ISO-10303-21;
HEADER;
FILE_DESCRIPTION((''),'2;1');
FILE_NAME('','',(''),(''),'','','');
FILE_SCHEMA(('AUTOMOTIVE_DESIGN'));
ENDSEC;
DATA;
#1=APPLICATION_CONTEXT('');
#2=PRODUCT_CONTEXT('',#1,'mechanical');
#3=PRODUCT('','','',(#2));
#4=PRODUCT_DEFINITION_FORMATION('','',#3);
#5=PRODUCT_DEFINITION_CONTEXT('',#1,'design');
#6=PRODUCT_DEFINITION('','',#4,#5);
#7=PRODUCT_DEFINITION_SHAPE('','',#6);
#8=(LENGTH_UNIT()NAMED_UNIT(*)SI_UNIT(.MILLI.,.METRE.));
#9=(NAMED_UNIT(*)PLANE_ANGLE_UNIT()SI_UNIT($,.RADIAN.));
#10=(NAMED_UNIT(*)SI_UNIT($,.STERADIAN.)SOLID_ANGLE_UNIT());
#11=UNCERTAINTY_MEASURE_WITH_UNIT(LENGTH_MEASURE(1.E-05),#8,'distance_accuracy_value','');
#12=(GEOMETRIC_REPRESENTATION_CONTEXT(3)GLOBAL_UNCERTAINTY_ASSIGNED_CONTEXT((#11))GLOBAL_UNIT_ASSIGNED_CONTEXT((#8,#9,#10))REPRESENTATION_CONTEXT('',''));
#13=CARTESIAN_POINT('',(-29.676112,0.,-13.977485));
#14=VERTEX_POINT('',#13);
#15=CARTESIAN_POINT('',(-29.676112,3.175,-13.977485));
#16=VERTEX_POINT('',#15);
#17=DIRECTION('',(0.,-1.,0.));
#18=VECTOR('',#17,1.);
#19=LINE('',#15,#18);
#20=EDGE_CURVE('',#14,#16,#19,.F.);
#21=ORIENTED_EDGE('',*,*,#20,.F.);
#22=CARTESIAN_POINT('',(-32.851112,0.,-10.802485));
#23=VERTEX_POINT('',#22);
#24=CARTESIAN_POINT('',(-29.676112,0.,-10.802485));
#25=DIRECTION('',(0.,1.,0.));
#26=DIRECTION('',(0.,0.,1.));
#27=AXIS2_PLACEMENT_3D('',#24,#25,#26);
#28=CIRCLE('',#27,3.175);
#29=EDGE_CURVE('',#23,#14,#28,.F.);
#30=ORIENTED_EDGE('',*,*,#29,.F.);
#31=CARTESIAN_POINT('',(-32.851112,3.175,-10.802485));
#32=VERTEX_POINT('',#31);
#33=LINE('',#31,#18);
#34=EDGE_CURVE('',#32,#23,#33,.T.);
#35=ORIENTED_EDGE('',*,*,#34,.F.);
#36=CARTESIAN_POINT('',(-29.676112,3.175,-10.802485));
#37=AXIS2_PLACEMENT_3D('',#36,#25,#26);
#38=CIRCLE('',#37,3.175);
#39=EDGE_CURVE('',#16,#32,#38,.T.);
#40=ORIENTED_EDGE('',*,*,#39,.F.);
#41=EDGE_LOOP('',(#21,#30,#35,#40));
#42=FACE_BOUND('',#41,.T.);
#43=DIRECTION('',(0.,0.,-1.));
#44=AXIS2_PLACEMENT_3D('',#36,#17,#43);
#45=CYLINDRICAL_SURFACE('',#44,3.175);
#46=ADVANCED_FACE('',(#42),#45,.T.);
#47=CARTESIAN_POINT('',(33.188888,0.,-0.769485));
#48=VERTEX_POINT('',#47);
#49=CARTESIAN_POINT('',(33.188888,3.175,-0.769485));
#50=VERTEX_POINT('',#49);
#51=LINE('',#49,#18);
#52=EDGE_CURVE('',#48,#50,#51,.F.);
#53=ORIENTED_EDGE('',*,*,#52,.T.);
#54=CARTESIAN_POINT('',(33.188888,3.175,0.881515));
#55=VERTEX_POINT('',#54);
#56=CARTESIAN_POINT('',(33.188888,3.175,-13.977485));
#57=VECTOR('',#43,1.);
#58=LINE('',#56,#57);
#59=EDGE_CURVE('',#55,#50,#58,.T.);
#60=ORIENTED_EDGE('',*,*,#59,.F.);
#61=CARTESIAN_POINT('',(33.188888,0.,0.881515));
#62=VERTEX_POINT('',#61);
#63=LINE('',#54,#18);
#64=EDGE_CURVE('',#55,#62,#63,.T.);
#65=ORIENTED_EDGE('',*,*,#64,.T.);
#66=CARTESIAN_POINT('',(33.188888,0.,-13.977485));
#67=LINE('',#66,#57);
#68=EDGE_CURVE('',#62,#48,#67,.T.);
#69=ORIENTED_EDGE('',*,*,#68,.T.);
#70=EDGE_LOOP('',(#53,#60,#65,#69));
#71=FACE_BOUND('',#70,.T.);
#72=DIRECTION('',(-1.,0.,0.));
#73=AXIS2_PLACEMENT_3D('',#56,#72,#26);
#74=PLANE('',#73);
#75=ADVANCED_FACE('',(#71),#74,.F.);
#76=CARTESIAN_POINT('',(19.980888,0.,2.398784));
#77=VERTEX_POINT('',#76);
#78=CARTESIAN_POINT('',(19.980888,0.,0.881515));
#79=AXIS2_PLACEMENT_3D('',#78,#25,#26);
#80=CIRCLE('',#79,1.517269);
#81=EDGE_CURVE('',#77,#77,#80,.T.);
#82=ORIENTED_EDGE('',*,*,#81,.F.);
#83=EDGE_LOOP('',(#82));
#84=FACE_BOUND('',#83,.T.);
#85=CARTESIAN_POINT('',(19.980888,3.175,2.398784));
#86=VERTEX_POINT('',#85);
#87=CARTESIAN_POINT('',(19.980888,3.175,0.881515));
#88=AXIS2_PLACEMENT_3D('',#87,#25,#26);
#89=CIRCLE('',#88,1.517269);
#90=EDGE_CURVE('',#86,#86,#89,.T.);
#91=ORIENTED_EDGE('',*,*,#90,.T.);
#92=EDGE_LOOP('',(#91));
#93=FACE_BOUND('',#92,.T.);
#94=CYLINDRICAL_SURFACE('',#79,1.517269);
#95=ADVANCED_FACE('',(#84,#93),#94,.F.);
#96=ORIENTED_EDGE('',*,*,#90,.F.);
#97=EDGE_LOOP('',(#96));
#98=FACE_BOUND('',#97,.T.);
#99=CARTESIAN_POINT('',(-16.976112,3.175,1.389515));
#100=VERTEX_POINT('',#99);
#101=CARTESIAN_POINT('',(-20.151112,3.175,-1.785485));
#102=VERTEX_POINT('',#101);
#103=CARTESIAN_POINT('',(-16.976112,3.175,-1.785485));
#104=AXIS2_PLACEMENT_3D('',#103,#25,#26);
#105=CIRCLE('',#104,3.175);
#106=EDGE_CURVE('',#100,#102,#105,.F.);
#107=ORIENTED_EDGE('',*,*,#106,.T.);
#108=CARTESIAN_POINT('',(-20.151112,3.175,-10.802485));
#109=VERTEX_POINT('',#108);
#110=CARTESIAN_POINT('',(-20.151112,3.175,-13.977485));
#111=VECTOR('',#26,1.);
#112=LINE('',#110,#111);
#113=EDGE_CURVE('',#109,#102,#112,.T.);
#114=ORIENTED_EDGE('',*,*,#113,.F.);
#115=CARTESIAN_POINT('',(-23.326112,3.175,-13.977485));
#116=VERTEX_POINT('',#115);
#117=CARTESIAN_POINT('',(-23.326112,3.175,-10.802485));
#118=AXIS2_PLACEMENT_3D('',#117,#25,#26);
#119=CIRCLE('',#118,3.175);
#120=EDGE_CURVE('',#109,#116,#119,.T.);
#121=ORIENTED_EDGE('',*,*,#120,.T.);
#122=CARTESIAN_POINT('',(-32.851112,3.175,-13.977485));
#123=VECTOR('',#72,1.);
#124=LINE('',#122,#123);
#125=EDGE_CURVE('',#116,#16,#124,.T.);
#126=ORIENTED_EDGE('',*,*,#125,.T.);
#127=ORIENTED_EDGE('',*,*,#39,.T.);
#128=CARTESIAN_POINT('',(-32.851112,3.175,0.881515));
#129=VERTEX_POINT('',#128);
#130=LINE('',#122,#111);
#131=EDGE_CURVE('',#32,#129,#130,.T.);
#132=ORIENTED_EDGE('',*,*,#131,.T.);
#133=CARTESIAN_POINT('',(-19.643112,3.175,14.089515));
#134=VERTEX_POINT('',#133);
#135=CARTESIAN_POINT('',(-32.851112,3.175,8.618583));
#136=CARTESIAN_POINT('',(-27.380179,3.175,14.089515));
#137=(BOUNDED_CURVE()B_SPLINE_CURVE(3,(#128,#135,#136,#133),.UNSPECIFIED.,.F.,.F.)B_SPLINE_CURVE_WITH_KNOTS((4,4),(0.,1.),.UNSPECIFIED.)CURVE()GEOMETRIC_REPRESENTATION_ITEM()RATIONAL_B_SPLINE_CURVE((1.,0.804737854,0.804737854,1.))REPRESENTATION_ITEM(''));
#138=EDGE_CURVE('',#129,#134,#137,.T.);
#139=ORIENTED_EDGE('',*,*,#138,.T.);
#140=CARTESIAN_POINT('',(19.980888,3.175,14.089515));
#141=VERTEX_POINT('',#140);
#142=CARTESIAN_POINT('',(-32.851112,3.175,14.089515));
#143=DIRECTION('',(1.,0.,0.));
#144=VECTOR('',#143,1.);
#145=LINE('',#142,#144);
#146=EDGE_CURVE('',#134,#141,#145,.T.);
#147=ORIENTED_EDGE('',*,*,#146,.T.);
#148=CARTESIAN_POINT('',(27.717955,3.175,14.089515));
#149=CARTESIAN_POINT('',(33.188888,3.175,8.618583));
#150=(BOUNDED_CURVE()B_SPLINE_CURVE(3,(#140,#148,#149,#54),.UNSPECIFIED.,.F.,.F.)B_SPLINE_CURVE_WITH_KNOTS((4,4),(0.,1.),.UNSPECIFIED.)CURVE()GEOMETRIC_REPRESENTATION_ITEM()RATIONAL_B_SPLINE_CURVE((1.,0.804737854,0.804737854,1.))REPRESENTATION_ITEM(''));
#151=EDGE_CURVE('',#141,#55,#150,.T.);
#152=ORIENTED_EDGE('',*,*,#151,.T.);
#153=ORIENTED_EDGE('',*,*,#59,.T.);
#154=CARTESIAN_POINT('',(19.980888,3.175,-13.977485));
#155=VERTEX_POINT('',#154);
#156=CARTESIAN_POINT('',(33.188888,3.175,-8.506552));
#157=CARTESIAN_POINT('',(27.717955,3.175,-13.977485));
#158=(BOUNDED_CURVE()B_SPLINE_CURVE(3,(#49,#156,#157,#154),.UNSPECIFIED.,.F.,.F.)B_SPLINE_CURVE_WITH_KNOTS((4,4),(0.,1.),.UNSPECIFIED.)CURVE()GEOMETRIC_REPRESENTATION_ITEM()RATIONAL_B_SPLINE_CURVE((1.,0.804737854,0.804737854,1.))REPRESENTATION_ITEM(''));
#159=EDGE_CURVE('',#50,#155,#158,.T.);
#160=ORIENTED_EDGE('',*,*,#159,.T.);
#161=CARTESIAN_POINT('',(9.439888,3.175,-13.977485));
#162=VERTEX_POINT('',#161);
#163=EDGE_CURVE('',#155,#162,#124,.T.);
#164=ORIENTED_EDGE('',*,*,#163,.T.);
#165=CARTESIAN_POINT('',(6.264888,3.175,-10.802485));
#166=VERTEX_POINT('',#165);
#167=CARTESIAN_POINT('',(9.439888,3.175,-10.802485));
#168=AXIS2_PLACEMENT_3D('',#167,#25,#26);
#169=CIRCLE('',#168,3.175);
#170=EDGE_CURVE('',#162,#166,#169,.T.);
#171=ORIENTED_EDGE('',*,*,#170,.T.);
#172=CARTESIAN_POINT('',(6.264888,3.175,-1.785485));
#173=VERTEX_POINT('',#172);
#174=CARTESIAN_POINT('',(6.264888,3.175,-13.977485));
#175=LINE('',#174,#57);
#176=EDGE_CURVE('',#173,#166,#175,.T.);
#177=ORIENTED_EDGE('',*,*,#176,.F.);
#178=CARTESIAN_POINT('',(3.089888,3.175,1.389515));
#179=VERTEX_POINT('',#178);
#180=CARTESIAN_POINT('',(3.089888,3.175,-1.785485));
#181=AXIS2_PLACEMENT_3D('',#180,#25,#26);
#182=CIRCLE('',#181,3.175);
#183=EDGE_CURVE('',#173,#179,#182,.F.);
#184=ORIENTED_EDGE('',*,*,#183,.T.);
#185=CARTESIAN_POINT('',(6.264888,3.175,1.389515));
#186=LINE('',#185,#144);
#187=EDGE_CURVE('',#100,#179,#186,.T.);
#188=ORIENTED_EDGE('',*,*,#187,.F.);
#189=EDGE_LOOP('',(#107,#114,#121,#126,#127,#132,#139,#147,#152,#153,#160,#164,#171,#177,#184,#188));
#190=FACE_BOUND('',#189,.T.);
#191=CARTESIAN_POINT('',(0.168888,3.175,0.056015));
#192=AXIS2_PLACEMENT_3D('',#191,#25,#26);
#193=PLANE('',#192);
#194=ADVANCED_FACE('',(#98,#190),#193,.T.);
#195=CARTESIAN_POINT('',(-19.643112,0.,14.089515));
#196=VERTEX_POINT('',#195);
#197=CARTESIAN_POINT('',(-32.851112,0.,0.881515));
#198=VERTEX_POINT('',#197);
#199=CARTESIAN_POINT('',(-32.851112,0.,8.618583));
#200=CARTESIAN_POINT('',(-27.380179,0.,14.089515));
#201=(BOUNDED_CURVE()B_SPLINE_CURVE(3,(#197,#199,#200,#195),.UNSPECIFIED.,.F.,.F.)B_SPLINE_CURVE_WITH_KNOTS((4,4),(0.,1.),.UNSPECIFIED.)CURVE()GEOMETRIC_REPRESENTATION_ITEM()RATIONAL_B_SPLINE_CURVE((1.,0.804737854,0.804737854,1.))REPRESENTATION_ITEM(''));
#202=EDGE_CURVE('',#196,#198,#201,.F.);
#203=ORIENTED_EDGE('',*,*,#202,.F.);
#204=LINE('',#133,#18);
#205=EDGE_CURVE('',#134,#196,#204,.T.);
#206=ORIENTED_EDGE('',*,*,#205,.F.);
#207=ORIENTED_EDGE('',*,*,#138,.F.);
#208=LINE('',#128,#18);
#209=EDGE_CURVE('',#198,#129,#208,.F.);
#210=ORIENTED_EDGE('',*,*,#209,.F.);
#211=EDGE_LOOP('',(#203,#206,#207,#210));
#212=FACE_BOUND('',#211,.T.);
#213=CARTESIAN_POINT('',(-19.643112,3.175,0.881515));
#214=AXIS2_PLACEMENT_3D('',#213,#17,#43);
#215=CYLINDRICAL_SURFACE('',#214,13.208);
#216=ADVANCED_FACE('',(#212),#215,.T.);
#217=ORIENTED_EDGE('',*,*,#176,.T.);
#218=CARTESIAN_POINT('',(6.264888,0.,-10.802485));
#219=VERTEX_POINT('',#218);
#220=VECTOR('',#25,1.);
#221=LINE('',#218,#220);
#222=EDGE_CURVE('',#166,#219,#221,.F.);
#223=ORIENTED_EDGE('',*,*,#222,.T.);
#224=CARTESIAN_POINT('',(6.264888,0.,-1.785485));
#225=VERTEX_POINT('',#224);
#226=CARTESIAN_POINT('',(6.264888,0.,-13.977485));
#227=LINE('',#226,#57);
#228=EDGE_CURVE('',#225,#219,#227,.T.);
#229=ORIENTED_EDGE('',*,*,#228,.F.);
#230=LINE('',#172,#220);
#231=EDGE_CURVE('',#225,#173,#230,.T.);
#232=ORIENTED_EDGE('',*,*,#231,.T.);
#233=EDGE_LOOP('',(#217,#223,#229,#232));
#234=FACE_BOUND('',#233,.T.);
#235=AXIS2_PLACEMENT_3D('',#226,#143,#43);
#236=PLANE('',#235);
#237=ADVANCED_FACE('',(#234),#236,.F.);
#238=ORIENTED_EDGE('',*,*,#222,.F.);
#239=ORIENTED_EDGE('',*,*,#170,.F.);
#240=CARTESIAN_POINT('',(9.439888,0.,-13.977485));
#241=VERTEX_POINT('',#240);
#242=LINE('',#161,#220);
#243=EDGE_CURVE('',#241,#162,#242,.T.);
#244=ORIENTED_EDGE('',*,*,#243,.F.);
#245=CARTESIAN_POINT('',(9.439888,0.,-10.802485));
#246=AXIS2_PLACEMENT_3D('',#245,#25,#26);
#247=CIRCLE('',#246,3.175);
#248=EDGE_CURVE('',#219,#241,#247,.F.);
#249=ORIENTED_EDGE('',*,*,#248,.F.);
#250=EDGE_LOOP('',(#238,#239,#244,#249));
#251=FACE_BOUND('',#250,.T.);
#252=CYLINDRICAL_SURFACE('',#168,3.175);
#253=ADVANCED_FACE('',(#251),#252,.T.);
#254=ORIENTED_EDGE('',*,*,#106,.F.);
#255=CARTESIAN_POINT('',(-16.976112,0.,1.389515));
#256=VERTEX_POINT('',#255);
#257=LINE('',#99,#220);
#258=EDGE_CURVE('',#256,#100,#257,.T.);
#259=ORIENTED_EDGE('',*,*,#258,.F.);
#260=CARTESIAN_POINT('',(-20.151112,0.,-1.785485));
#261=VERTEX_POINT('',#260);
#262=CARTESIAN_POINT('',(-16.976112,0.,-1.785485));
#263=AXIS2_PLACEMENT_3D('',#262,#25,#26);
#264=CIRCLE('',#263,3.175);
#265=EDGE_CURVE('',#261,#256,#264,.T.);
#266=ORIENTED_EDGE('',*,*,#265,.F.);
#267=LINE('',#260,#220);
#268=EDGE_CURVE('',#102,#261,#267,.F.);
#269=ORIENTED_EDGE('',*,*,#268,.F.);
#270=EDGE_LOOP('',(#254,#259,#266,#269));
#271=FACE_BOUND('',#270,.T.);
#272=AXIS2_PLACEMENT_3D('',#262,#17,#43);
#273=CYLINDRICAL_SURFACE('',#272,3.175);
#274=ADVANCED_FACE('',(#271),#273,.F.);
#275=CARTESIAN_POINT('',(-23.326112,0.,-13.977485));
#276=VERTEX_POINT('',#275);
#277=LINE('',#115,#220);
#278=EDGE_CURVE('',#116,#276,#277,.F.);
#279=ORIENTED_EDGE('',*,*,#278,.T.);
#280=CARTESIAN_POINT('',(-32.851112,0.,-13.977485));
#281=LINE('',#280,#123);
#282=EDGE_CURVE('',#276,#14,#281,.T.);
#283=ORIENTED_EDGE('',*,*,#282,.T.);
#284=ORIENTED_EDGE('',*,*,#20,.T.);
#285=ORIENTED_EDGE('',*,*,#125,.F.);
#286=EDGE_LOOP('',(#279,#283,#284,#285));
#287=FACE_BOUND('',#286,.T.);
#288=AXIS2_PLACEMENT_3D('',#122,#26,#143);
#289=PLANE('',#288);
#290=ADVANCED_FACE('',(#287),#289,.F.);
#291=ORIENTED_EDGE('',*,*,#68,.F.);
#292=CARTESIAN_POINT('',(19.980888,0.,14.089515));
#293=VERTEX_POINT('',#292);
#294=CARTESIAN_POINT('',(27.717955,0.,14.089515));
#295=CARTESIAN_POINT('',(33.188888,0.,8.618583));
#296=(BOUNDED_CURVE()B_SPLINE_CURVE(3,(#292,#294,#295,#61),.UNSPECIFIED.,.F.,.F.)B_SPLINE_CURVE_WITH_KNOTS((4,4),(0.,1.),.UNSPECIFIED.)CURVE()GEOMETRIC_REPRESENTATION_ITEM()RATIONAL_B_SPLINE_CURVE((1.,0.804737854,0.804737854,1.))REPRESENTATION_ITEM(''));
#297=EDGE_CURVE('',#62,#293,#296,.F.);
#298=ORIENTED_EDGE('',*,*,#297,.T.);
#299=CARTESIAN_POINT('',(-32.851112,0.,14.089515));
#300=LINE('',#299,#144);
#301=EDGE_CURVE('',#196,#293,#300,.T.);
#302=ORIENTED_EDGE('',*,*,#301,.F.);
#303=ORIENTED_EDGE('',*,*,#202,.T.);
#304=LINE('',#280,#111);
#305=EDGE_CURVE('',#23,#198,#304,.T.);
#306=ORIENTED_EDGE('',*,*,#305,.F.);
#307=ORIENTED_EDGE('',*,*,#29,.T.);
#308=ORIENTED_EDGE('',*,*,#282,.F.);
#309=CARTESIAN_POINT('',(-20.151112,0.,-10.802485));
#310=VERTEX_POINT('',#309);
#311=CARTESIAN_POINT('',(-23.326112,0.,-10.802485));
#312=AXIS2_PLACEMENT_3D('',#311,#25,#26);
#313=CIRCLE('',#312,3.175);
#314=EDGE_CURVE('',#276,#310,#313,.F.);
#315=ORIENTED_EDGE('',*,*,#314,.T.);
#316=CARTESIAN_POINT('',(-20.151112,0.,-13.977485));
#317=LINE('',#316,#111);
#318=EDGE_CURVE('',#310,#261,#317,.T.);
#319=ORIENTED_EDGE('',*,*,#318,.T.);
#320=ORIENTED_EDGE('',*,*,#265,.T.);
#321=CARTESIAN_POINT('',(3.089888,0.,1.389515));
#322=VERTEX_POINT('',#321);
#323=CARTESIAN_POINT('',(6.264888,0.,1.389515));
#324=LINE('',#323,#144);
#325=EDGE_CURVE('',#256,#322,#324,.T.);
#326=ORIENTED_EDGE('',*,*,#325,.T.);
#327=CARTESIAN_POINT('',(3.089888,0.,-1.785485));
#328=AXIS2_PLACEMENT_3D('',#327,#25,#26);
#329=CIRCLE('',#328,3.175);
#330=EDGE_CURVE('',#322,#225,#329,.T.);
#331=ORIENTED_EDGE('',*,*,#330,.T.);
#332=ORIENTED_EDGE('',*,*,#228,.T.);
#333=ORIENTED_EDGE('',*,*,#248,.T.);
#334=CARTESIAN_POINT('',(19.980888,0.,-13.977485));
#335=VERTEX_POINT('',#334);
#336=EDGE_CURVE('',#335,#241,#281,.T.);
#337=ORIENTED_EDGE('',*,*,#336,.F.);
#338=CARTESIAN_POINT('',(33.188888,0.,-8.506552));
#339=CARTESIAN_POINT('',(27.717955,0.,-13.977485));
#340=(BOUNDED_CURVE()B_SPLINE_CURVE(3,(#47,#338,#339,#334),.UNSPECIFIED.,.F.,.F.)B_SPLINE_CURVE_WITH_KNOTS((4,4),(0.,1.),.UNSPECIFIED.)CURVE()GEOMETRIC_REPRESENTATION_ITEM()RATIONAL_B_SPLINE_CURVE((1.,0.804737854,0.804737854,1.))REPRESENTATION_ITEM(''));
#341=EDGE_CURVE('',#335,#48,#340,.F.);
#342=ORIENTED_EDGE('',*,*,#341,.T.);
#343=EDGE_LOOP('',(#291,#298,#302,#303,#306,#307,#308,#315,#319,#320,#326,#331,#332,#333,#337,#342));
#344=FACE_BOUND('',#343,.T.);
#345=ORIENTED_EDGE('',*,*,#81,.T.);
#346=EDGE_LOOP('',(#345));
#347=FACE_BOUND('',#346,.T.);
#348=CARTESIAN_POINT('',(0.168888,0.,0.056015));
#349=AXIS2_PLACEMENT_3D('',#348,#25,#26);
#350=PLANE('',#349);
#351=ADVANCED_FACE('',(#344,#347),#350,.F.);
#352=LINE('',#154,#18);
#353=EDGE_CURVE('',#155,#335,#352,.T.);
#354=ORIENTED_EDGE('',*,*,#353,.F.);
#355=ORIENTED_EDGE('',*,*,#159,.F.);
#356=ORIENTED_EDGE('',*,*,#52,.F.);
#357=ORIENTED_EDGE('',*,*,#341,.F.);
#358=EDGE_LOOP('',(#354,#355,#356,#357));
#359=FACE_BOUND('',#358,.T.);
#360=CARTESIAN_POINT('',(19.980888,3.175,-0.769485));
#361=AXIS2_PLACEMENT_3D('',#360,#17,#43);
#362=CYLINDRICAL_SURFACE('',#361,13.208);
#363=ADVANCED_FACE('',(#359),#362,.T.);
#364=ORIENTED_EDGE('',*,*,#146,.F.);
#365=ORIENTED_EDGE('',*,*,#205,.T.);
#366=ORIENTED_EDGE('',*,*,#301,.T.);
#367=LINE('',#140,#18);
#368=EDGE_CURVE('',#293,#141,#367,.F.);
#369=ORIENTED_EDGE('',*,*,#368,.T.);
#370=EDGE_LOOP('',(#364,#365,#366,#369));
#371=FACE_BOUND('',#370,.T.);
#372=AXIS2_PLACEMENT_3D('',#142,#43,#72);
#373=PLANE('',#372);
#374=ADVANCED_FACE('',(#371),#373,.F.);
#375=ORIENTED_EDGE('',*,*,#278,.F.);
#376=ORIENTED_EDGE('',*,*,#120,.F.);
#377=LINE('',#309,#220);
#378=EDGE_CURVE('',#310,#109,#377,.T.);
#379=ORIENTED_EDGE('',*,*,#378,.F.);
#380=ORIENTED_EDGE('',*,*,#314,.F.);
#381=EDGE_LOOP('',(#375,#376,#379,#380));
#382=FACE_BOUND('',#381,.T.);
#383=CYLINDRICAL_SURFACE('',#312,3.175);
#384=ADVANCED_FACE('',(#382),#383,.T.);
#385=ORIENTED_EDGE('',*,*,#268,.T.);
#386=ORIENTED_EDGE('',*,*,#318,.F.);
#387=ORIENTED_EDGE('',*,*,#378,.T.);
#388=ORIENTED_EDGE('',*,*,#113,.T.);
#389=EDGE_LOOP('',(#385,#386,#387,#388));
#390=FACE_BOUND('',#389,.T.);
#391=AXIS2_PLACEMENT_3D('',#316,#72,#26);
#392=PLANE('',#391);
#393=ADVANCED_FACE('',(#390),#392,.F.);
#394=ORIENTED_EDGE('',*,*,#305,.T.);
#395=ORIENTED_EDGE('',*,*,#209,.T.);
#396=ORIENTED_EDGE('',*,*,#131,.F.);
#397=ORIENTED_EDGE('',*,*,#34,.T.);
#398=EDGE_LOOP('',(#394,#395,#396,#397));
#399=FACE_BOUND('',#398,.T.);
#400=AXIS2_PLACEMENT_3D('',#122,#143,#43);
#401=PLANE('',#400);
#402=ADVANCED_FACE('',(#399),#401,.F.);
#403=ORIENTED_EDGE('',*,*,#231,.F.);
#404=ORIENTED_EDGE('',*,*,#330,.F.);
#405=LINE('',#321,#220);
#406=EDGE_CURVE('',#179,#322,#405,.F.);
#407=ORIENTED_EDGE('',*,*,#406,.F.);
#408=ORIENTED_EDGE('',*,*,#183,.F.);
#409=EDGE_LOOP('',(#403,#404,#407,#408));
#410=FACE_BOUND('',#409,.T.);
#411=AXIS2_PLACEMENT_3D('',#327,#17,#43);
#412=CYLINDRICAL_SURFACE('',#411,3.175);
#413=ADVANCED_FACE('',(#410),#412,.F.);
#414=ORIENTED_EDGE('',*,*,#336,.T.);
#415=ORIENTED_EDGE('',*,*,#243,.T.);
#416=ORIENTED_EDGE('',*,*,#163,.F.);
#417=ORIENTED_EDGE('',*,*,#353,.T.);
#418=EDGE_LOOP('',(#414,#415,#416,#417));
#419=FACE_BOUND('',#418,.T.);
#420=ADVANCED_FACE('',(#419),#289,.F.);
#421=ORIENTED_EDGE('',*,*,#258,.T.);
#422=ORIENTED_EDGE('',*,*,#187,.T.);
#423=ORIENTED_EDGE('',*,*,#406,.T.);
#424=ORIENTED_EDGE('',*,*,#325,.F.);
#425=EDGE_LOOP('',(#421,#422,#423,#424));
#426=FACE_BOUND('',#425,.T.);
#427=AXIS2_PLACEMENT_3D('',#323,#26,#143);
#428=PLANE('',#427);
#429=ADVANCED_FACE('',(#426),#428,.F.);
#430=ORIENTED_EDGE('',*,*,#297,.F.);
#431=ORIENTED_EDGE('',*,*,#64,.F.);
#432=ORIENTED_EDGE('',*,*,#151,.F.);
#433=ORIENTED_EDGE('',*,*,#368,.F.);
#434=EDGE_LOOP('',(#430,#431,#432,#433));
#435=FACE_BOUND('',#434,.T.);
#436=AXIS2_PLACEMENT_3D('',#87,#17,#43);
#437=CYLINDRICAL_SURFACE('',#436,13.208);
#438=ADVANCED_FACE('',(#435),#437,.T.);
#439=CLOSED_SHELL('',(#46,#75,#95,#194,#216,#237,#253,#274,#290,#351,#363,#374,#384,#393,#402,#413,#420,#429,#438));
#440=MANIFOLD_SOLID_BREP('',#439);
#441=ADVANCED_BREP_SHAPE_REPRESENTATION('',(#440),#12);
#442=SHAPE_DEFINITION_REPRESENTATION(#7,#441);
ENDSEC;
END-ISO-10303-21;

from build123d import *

# Parameters (mm, degrees)
SKETCH1_W           = 50.8
SKETCH1_H           = 21.59
BOSS_EXTRUDE1_DEPTH = 3.175
FILLET1_R           = 10.16
SKETCH3_R           = 1.16713
CUT_EXTRUDE1_DEPTH  = 28.780796425
FILLET3_R           = 10.16
SCALE1_SCALE_X      = 1.3
SCALE1_SCALE_Y      = 1
SCALE1_SCALE_Z      = 1.3
SKETCH4_W           = 26.416
SKETCH4_H           = 15.367
CUT_EXTRUDE2_DEPTH  = 37.195267212
FILLET4_R           = 3.175


with BuildPart() as part:
    # Sketch1 → Boss-Extrude1 (new body)
    with BuildSketch(Plane(origin=(0, 0, 0), x_dir=(1, 0, 0), z_dir=(0, 1, 0))):
        Rectangle(SKETCH1_W, SKETCH1_H)
    extrude(amount=BOSS_EXTRUDE1_DEPTH)

    # Fillet1
    fillet1_edges = [part.edges().sort_by_distance(p)[0] for p in [
        (25.4, 1.5875, 10.795),
        (-25.4, 1.5875, 10.795),
    ]]
    fillet(fillet1_edges, radius=FILLET1_R)

    # Sketch3 → Cut-Extrude1 (cut, through all)
    with BuildSketch(Plane(origin=(0, 3.175, 0), x_dir=(1, 0, 0), z_dir=(0, 1, 0))):
        with Locations(Location((15.24, -0.635, 0), (0, 0, 270))):
            Circle(SKETCH3_R)
    extrude(amount=-CUT_EXTRUDE1_DEPTH, mode=Mode.SUBTRACT)

    # Fillet3
    fillet3_edges = [part.edges().sort_by_distance(p)[0] for p in [
        (25.4, 1.5875, -10.795),
    ]]
    fillet(fillet3_edges, radius=FILLET3_R)


with BuildPart() as part_1:
    # Scale1: scaled about (-0.562959999, 1.5875, -0.186718305)
    add(part.part.scale((SCALE1_SCALE_X, SCALE1_SCALE_Y, SCALE1_SCALE_Z), about=(-0.562959999, 1.5875, -0.186718305)))

    # Sketch4 → Cut-Extrude2 (cut, through all)
    with BuildSketch(Plane(origin=(0, 3.175, 0), x_dir=(1, 0, 0), z_dir=(0, 1, 0))):
        with Locations((-6.943112, 6.293984509)):
            Rectangle(SKETCH4_W, SKETCH4_H)
    extrude(amount=-CUT_EXTRUDE2_DEPTH, mode=Mode.SUBTRACT)

    # Fillet4
    fillet4_edges = [part_1.edges().sort_by_distance(p)[0] for p in [
        (6.264888, 1.5875, -13.977484509),
        (6.264888, 1.5875, 1.389515491),
        (-20.151112, 1.5875, 1.389515491),
        (-20.151112, 1.5875, -13.977484509),
        (-32.851112, 1.5875, -13.977484508),
    ]]
    fillet(fillet4_edges, radius=FILLET4_R)


solid = part_1.part
